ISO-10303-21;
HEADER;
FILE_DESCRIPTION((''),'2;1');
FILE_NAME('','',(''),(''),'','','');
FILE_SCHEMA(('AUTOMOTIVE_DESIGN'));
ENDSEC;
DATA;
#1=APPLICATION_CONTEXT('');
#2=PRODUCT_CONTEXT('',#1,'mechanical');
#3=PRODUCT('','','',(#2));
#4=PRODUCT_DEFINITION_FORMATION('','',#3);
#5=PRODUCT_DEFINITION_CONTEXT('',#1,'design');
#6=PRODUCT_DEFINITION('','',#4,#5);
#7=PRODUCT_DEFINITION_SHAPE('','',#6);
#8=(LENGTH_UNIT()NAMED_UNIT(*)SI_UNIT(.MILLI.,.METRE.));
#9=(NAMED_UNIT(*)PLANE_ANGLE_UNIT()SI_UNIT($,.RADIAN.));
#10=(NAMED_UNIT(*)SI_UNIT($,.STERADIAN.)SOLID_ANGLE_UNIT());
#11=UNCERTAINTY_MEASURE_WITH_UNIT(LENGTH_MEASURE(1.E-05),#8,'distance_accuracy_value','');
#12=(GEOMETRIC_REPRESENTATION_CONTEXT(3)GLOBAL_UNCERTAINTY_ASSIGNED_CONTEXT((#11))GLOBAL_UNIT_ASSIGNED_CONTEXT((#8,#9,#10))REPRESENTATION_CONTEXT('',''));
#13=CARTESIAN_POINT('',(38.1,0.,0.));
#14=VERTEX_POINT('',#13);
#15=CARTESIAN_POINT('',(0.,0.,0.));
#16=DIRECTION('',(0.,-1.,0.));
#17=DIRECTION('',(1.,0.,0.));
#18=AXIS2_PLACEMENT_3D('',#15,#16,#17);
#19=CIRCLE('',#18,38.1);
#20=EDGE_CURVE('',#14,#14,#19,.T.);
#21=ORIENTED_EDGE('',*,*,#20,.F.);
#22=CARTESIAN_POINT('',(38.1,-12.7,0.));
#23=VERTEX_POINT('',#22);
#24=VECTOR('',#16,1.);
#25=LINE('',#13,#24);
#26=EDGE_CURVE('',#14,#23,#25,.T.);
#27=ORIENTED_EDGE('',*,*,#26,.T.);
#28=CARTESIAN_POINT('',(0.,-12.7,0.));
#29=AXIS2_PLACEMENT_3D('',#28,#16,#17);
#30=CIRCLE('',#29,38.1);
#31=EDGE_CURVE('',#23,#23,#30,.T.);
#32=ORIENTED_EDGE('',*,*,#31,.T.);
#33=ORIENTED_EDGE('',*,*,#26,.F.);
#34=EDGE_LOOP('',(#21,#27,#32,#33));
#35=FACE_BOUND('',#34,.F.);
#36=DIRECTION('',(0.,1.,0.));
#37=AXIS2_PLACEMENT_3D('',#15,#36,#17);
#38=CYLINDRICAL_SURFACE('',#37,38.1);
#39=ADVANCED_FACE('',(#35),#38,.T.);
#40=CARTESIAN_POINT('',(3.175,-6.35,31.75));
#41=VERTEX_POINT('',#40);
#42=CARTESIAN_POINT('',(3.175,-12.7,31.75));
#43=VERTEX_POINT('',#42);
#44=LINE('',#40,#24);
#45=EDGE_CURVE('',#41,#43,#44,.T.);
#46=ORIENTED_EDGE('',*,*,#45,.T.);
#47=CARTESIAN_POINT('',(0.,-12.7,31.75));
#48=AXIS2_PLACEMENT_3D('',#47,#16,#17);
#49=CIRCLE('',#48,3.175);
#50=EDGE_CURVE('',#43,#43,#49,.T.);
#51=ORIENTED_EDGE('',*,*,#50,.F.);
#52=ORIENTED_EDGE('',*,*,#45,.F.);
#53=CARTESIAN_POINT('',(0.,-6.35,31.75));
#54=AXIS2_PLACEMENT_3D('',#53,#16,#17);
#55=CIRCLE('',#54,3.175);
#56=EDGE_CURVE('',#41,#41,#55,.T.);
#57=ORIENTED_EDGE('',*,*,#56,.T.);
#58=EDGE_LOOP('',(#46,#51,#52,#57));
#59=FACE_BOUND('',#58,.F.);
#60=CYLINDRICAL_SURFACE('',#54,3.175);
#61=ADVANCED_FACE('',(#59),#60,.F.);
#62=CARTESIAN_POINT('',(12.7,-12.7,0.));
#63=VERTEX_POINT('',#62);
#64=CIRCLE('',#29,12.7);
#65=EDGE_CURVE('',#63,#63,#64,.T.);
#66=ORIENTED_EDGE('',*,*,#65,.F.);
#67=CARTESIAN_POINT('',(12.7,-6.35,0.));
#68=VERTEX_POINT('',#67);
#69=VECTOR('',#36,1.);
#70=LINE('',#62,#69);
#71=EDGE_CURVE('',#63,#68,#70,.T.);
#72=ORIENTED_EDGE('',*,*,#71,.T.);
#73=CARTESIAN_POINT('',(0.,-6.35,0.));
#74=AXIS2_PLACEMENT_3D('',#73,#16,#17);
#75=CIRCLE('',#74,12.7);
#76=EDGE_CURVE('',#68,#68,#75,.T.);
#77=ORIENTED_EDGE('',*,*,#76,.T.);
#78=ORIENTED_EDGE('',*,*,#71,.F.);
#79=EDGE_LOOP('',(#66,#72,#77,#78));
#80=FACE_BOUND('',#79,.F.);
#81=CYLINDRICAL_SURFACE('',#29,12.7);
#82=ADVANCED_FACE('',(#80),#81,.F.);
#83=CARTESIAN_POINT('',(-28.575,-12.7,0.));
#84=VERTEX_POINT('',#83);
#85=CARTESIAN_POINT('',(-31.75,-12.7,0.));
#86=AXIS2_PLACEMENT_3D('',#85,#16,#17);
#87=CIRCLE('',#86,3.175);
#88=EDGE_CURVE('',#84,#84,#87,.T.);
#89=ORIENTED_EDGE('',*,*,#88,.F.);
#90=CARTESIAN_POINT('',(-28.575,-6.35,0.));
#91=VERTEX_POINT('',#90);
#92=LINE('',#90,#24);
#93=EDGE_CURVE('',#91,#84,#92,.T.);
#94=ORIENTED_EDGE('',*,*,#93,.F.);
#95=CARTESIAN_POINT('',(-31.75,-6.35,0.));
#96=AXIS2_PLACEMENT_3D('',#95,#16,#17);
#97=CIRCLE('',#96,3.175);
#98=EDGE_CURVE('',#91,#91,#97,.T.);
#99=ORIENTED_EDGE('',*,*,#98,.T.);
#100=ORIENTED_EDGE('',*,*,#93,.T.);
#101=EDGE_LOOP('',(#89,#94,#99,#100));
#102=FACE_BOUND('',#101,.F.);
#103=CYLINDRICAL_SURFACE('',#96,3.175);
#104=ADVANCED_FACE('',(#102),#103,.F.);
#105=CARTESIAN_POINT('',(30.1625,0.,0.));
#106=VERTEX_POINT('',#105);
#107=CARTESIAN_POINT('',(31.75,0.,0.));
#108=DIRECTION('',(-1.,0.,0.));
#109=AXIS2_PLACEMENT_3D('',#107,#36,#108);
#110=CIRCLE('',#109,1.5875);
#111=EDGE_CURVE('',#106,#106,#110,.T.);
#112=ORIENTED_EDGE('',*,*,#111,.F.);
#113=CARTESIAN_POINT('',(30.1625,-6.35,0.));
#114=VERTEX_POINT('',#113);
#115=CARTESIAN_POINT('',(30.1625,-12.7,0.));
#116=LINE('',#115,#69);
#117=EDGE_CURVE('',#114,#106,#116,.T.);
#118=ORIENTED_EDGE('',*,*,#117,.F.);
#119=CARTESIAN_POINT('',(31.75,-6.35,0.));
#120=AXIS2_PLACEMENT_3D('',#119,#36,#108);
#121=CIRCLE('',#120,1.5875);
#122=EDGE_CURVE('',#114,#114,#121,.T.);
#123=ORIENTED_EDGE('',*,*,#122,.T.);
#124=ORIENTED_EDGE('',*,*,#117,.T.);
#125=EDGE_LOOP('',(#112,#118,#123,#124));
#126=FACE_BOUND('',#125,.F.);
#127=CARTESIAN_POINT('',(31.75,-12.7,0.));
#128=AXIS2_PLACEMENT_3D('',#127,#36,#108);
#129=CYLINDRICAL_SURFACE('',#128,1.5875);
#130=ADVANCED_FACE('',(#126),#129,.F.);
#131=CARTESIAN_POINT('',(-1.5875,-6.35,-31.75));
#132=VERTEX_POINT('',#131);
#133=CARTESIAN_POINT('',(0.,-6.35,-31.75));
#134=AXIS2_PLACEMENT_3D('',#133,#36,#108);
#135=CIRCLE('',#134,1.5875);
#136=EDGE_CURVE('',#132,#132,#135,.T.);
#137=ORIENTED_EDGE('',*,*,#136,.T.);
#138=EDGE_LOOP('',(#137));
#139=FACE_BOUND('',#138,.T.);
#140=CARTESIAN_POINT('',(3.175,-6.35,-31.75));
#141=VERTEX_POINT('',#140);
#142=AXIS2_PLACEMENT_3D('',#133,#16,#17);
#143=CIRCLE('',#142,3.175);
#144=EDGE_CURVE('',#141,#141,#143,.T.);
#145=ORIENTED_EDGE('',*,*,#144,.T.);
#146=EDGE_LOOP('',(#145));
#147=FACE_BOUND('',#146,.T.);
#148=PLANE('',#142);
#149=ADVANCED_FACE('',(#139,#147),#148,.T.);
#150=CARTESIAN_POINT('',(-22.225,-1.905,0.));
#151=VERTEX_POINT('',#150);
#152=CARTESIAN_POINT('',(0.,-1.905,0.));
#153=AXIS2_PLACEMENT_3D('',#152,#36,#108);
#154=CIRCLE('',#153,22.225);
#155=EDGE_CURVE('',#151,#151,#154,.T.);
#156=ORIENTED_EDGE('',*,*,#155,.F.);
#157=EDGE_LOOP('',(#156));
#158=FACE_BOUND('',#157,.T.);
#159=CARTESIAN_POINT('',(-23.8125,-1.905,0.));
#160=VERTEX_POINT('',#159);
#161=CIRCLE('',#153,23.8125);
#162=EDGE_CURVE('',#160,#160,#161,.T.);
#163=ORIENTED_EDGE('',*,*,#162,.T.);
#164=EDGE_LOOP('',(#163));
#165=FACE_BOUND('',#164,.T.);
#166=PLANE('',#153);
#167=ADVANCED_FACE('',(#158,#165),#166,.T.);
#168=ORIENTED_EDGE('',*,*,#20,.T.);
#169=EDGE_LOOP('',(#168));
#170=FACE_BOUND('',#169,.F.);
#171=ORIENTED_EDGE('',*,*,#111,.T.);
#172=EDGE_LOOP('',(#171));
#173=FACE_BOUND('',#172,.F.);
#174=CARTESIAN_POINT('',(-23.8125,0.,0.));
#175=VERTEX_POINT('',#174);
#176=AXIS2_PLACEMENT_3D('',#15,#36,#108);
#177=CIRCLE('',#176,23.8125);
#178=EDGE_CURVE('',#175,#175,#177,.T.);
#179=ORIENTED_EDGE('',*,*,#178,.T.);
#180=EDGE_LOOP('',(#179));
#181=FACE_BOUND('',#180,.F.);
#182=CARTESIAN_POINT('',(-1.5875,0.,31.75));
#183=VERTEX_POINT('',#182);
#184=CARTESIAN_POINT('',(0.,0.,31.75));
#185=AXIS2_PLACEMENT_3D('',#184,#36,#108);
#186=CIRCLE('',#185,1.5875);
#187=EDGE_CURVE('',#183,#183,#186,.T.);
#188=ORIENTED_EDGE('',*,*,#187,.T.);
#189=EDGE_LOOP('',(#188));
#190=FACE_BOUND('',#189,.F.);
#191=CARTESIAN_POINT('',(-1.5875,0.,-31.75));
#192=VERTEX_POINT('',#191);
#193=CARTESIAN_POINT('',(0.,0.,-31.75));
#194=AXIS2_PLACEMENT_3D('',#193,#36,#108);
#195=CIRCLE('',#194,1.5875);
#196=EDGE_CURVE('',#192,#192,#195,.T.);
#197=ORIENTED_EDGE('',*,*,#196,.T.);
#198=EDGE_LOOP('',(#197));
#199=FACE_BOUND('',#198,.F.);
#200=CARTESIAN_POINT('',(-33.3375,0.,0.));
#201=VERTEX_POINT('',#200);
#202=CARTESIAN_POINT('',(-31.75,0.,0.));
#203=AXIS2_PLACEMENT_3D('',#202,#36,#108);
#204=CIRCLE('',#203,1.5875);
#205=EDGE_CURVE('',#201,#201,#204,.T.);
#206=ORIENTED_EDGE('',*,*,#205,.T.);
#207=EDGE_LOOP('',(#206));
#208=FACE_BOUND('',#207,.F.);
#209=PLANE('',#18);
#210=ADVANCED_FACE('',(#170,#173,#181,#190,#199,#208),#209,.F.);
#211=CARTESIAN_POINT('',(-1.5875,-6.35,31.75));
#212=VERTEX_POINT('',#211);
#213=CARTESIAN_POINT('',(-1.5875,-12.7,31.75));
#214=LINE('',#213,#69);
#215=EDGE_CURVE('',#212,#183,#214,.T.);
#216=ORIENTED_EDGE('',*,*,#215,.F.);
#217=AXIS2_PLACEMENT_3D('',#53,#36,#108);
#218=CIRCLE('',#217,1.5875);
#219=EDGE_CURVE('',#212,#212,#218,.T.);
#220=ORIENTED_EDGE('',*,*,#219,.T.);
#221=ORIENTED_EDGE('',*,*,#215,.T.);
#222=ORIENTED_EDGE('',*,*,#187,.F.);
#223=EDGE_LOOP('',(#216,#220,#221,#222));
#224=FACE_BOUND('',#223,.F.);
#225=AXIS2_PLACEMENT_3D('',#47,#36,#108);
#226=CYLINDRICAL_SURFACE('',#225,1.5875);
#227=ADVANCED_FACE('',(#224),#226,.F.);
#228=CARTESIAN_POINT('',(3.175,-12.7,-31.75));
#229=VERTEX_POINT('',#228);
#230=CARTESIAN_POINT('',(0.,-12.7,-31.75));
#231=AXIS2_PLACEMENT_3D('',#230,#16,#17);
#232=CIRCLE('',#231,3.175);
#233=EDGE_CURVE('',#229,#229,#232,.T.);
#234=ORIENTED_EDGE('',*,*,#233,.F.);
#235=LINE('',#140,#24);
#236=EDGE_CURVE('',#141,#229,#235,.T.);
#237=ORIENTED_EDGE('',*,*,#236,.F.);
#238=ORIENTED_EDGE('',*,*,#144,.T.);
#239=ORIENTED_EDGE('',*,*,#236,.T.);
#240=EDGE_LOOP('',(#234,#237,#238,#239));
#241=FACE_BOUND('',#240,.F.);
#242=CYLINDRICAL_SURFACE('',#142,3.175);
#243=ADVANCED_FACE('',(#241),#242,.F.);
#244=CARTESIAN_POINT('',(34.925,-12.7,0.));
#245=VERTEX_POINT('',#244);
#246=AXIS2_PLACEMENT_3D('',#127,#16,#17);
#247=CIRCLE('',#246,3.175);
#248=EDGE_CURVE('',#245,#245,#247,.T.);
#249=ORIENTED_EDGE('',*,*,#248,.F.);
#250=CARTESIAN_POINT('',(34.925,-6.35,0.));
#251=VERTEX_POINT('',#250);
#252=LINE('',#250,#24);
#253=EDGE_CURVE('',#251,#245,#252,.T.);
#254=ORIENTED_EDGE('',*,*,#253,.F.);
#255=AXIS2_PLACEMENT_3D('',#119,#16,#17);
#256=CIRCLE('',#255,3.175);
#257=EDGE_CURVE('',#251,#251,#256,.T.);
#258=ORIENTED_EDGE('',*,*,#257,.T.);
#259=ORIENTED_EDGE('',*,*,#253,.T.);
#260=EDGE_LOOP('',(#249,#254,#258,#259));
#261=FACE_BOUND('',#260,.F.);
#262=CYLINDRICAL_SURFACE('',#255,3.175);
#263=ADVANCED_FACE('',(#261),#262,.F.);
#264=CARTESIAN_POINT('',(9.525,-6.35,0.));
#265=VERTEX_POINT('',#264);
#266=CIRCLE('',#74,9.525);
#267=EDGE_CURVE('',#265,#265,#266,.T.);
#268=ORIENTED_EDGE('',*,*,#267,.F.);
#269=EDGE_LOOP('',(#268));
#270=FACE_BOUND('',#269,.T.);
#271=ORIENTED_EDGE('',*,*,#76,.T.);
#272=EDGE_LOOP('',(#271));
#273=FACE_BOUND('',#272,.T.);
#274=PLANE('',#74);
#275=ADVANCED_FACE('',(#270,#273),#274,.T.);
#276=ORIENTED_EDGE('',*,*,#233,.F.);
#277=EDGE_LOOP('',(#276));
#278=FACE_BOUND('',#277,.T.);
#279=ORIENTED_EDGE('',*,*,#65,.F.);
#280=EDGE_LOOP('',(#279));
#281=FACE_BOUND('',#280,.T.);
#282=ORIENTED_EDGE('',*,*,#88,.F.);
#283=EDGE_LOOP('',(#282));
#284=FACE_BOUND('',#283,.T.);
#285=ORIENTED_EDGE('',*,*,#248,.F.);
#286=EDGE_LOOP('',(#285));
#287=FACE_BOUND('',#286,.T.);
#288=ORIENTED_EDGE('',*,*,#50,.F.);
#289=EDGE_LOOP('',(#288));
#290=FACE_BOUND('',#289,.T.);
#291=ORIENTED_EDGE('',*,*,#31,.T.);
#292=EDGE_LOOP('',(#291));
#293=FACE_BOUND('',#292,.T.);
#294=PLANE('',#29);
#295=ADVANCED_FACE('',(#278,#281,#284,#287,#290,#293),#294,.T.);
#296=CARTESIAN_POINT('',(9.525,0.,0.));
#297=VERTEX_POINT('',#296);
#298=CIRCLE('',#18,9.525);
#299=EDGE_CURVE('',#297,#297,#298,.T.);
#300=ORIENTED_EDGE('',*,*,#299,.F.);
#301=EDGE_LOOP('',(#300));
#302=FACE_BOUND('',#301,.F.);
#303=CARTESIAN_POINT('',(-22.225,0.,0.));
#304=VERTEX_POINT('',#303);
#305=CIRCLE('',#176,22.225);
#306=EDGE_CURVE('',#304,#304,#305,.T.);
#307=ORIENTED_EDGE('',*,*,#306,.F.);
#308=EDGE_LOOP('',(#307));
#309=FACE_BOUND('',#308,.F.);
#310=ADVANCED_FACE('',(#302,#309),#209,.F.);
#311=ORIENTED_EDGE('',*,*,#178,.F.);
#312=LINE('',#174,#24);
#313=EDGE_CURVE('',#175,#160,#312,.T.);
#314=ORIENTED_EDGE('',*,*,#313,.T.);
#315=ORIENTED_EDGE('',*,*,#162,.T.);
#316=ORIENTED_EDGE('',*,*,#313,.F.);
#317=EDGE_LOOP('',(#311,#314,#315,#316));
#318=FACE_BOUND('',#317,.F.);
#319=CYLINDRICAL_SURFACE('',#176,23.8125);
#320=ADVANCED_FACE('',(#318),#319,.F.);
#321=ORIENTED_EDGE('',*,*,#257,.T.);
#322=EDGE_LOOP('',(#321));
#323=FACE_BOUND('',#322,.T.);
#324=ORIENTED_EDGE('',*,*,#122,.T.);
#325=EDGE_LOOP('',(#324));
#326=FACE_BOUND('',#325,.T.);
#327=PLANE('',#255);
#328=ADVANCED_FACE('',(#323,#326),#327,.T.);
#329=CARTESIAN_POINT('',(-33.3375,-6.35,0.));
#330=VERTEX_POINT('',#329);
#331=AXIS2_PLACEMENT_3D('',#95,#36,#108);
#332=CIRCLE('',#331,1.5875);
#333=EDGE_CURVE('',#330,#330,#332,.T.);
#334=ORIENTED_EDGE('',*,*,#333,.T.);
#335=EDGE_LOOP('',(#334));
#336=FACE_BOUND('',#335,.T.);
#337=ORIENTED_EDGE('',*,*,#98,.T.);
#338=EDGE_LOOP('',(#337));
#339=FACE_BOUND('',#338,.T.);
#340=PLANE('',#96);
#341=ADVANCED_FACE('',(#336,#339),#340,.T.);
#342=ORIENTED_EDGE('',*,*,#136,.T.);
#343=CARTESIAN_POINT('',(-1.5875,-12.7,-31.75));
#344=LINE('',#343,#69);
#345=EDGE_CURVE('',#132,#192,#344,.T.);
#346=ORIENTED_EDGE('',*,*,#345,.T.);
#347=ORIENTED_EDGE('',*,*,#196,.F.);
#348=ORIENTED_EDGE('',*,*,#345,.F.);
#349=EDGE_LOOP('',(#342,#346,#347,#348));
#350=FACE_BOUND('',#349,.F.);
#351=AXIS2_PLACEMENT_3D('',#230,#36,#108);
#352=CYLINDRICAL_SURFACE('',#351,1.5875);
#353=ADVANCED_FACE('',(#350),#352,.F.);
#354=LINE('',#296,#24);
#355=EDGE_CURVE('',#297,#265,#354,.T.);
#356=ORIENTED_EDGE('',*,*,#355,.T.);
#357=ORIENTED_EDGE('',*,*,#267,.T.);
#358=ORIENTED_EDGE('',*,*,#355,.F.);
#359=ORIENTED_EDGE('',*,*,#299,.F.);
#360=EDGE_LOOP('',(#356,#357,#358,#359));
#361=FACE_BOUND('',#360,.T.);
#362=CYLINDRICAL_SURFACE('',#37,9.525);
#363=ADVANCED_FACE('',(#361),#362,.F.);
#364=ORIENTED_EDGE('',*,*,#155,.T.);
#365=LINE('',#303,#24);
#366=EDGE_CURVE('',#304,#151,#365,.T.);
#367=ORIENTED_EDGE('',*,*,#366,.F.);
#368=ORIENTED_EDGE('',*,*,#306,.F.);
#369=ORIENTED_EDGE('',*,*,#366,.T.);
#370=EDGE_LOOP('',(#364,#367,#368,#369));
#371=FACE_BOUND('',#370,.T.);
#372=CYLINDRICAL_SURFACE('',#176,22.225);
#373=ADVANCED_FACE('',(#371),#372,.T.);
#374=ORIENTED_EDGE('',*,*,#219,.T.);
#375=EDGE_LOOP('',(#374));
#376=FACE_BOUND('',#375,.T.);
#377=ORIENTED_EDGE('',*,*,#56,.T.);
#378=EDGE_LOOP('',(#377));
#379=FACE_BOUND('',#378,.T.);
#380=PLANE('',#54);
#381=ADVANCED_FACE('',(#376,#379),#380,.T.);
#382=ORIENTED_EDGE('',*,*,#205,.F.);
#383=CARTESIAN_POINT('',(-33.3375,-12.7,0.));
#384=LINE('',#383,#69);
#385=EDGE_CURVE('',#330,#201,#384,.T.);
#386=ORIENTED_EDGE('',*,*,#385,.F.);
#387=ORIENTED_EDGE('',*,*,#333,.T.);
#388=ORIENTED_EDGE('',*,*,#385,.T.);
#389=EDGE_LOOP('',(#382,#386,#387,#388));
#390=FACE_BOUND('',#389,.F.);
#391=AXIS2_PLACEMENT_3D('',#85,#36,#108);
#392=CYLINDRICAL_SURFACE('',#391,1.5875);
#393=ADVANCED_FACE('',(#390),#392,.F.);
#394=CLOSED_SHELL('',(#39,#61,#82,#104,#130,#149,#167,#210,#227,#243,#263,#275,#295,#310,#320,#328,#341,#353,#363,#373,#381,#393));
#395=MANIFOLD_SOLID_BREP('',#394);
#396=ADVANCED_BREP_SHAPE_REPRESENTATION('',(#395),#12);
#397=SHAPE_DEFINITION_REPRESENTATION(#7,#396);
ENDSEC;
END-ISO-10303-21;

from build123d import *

# Parameters (mm, degrees)
F0_R           = 38.1
F0_R_2         = 9.525
F1_DEPTH       = 12.7
F2_R           = 12.7
F2_R_2         = 9.525
F3_DEPTH       = 6.35
F5_D           = 3.175
F5_CBORE_D     = 6.35
F5_CBORE_DEPTH = 6.35
F6_R           = 23.8125
F6_R_2         = 22.225
F7_DEPTH       = 1.905


with BuildPart() as f1:
    # F0 (on Front) → F1 (new body)
    with BuildSketch(Plane.XZ):
        Circle(F0_R)
        Circle(F0_R_2, mode=Mode.SUBTRACT)
    extrude(amount=F1_DEPTH)

    # F2 (on face) → F3 (cut)
    with BuildSketch(Plane.XZ.offset(12.7)):
        Circle(F2_R)
        Circle(F2_R_2, mode=Mode.SUBTRACT)
    extrude(amount=-F3_DEPTH, mode=Mode.SUBTRACT)

    # F5 (through all)
    with Locations(Plane.XZ.offset(12.7)):
        with Locations((0, 31.75), (31.75, 0), (0, -31.75), (-31.75, 0)):
            CounterBoreHole(F5_D / 2, F5_CBORE_D / 2, F5_CBORE_DEPTH)

    # F6 (on face) → F7 (cut)
    with BuildSketch(Plane(origin=(0, 0, 0), x_dir=(-1, 0, 0), z_dir=(0, 1, 0))):
        Circle(F6_R)
        Circle(F6_R_2, mode=Mode.SUBTRACT)
    extrude(amount=-F7_DEPTH, mode=Mode.SUBTRACT)


solid = f1.part
